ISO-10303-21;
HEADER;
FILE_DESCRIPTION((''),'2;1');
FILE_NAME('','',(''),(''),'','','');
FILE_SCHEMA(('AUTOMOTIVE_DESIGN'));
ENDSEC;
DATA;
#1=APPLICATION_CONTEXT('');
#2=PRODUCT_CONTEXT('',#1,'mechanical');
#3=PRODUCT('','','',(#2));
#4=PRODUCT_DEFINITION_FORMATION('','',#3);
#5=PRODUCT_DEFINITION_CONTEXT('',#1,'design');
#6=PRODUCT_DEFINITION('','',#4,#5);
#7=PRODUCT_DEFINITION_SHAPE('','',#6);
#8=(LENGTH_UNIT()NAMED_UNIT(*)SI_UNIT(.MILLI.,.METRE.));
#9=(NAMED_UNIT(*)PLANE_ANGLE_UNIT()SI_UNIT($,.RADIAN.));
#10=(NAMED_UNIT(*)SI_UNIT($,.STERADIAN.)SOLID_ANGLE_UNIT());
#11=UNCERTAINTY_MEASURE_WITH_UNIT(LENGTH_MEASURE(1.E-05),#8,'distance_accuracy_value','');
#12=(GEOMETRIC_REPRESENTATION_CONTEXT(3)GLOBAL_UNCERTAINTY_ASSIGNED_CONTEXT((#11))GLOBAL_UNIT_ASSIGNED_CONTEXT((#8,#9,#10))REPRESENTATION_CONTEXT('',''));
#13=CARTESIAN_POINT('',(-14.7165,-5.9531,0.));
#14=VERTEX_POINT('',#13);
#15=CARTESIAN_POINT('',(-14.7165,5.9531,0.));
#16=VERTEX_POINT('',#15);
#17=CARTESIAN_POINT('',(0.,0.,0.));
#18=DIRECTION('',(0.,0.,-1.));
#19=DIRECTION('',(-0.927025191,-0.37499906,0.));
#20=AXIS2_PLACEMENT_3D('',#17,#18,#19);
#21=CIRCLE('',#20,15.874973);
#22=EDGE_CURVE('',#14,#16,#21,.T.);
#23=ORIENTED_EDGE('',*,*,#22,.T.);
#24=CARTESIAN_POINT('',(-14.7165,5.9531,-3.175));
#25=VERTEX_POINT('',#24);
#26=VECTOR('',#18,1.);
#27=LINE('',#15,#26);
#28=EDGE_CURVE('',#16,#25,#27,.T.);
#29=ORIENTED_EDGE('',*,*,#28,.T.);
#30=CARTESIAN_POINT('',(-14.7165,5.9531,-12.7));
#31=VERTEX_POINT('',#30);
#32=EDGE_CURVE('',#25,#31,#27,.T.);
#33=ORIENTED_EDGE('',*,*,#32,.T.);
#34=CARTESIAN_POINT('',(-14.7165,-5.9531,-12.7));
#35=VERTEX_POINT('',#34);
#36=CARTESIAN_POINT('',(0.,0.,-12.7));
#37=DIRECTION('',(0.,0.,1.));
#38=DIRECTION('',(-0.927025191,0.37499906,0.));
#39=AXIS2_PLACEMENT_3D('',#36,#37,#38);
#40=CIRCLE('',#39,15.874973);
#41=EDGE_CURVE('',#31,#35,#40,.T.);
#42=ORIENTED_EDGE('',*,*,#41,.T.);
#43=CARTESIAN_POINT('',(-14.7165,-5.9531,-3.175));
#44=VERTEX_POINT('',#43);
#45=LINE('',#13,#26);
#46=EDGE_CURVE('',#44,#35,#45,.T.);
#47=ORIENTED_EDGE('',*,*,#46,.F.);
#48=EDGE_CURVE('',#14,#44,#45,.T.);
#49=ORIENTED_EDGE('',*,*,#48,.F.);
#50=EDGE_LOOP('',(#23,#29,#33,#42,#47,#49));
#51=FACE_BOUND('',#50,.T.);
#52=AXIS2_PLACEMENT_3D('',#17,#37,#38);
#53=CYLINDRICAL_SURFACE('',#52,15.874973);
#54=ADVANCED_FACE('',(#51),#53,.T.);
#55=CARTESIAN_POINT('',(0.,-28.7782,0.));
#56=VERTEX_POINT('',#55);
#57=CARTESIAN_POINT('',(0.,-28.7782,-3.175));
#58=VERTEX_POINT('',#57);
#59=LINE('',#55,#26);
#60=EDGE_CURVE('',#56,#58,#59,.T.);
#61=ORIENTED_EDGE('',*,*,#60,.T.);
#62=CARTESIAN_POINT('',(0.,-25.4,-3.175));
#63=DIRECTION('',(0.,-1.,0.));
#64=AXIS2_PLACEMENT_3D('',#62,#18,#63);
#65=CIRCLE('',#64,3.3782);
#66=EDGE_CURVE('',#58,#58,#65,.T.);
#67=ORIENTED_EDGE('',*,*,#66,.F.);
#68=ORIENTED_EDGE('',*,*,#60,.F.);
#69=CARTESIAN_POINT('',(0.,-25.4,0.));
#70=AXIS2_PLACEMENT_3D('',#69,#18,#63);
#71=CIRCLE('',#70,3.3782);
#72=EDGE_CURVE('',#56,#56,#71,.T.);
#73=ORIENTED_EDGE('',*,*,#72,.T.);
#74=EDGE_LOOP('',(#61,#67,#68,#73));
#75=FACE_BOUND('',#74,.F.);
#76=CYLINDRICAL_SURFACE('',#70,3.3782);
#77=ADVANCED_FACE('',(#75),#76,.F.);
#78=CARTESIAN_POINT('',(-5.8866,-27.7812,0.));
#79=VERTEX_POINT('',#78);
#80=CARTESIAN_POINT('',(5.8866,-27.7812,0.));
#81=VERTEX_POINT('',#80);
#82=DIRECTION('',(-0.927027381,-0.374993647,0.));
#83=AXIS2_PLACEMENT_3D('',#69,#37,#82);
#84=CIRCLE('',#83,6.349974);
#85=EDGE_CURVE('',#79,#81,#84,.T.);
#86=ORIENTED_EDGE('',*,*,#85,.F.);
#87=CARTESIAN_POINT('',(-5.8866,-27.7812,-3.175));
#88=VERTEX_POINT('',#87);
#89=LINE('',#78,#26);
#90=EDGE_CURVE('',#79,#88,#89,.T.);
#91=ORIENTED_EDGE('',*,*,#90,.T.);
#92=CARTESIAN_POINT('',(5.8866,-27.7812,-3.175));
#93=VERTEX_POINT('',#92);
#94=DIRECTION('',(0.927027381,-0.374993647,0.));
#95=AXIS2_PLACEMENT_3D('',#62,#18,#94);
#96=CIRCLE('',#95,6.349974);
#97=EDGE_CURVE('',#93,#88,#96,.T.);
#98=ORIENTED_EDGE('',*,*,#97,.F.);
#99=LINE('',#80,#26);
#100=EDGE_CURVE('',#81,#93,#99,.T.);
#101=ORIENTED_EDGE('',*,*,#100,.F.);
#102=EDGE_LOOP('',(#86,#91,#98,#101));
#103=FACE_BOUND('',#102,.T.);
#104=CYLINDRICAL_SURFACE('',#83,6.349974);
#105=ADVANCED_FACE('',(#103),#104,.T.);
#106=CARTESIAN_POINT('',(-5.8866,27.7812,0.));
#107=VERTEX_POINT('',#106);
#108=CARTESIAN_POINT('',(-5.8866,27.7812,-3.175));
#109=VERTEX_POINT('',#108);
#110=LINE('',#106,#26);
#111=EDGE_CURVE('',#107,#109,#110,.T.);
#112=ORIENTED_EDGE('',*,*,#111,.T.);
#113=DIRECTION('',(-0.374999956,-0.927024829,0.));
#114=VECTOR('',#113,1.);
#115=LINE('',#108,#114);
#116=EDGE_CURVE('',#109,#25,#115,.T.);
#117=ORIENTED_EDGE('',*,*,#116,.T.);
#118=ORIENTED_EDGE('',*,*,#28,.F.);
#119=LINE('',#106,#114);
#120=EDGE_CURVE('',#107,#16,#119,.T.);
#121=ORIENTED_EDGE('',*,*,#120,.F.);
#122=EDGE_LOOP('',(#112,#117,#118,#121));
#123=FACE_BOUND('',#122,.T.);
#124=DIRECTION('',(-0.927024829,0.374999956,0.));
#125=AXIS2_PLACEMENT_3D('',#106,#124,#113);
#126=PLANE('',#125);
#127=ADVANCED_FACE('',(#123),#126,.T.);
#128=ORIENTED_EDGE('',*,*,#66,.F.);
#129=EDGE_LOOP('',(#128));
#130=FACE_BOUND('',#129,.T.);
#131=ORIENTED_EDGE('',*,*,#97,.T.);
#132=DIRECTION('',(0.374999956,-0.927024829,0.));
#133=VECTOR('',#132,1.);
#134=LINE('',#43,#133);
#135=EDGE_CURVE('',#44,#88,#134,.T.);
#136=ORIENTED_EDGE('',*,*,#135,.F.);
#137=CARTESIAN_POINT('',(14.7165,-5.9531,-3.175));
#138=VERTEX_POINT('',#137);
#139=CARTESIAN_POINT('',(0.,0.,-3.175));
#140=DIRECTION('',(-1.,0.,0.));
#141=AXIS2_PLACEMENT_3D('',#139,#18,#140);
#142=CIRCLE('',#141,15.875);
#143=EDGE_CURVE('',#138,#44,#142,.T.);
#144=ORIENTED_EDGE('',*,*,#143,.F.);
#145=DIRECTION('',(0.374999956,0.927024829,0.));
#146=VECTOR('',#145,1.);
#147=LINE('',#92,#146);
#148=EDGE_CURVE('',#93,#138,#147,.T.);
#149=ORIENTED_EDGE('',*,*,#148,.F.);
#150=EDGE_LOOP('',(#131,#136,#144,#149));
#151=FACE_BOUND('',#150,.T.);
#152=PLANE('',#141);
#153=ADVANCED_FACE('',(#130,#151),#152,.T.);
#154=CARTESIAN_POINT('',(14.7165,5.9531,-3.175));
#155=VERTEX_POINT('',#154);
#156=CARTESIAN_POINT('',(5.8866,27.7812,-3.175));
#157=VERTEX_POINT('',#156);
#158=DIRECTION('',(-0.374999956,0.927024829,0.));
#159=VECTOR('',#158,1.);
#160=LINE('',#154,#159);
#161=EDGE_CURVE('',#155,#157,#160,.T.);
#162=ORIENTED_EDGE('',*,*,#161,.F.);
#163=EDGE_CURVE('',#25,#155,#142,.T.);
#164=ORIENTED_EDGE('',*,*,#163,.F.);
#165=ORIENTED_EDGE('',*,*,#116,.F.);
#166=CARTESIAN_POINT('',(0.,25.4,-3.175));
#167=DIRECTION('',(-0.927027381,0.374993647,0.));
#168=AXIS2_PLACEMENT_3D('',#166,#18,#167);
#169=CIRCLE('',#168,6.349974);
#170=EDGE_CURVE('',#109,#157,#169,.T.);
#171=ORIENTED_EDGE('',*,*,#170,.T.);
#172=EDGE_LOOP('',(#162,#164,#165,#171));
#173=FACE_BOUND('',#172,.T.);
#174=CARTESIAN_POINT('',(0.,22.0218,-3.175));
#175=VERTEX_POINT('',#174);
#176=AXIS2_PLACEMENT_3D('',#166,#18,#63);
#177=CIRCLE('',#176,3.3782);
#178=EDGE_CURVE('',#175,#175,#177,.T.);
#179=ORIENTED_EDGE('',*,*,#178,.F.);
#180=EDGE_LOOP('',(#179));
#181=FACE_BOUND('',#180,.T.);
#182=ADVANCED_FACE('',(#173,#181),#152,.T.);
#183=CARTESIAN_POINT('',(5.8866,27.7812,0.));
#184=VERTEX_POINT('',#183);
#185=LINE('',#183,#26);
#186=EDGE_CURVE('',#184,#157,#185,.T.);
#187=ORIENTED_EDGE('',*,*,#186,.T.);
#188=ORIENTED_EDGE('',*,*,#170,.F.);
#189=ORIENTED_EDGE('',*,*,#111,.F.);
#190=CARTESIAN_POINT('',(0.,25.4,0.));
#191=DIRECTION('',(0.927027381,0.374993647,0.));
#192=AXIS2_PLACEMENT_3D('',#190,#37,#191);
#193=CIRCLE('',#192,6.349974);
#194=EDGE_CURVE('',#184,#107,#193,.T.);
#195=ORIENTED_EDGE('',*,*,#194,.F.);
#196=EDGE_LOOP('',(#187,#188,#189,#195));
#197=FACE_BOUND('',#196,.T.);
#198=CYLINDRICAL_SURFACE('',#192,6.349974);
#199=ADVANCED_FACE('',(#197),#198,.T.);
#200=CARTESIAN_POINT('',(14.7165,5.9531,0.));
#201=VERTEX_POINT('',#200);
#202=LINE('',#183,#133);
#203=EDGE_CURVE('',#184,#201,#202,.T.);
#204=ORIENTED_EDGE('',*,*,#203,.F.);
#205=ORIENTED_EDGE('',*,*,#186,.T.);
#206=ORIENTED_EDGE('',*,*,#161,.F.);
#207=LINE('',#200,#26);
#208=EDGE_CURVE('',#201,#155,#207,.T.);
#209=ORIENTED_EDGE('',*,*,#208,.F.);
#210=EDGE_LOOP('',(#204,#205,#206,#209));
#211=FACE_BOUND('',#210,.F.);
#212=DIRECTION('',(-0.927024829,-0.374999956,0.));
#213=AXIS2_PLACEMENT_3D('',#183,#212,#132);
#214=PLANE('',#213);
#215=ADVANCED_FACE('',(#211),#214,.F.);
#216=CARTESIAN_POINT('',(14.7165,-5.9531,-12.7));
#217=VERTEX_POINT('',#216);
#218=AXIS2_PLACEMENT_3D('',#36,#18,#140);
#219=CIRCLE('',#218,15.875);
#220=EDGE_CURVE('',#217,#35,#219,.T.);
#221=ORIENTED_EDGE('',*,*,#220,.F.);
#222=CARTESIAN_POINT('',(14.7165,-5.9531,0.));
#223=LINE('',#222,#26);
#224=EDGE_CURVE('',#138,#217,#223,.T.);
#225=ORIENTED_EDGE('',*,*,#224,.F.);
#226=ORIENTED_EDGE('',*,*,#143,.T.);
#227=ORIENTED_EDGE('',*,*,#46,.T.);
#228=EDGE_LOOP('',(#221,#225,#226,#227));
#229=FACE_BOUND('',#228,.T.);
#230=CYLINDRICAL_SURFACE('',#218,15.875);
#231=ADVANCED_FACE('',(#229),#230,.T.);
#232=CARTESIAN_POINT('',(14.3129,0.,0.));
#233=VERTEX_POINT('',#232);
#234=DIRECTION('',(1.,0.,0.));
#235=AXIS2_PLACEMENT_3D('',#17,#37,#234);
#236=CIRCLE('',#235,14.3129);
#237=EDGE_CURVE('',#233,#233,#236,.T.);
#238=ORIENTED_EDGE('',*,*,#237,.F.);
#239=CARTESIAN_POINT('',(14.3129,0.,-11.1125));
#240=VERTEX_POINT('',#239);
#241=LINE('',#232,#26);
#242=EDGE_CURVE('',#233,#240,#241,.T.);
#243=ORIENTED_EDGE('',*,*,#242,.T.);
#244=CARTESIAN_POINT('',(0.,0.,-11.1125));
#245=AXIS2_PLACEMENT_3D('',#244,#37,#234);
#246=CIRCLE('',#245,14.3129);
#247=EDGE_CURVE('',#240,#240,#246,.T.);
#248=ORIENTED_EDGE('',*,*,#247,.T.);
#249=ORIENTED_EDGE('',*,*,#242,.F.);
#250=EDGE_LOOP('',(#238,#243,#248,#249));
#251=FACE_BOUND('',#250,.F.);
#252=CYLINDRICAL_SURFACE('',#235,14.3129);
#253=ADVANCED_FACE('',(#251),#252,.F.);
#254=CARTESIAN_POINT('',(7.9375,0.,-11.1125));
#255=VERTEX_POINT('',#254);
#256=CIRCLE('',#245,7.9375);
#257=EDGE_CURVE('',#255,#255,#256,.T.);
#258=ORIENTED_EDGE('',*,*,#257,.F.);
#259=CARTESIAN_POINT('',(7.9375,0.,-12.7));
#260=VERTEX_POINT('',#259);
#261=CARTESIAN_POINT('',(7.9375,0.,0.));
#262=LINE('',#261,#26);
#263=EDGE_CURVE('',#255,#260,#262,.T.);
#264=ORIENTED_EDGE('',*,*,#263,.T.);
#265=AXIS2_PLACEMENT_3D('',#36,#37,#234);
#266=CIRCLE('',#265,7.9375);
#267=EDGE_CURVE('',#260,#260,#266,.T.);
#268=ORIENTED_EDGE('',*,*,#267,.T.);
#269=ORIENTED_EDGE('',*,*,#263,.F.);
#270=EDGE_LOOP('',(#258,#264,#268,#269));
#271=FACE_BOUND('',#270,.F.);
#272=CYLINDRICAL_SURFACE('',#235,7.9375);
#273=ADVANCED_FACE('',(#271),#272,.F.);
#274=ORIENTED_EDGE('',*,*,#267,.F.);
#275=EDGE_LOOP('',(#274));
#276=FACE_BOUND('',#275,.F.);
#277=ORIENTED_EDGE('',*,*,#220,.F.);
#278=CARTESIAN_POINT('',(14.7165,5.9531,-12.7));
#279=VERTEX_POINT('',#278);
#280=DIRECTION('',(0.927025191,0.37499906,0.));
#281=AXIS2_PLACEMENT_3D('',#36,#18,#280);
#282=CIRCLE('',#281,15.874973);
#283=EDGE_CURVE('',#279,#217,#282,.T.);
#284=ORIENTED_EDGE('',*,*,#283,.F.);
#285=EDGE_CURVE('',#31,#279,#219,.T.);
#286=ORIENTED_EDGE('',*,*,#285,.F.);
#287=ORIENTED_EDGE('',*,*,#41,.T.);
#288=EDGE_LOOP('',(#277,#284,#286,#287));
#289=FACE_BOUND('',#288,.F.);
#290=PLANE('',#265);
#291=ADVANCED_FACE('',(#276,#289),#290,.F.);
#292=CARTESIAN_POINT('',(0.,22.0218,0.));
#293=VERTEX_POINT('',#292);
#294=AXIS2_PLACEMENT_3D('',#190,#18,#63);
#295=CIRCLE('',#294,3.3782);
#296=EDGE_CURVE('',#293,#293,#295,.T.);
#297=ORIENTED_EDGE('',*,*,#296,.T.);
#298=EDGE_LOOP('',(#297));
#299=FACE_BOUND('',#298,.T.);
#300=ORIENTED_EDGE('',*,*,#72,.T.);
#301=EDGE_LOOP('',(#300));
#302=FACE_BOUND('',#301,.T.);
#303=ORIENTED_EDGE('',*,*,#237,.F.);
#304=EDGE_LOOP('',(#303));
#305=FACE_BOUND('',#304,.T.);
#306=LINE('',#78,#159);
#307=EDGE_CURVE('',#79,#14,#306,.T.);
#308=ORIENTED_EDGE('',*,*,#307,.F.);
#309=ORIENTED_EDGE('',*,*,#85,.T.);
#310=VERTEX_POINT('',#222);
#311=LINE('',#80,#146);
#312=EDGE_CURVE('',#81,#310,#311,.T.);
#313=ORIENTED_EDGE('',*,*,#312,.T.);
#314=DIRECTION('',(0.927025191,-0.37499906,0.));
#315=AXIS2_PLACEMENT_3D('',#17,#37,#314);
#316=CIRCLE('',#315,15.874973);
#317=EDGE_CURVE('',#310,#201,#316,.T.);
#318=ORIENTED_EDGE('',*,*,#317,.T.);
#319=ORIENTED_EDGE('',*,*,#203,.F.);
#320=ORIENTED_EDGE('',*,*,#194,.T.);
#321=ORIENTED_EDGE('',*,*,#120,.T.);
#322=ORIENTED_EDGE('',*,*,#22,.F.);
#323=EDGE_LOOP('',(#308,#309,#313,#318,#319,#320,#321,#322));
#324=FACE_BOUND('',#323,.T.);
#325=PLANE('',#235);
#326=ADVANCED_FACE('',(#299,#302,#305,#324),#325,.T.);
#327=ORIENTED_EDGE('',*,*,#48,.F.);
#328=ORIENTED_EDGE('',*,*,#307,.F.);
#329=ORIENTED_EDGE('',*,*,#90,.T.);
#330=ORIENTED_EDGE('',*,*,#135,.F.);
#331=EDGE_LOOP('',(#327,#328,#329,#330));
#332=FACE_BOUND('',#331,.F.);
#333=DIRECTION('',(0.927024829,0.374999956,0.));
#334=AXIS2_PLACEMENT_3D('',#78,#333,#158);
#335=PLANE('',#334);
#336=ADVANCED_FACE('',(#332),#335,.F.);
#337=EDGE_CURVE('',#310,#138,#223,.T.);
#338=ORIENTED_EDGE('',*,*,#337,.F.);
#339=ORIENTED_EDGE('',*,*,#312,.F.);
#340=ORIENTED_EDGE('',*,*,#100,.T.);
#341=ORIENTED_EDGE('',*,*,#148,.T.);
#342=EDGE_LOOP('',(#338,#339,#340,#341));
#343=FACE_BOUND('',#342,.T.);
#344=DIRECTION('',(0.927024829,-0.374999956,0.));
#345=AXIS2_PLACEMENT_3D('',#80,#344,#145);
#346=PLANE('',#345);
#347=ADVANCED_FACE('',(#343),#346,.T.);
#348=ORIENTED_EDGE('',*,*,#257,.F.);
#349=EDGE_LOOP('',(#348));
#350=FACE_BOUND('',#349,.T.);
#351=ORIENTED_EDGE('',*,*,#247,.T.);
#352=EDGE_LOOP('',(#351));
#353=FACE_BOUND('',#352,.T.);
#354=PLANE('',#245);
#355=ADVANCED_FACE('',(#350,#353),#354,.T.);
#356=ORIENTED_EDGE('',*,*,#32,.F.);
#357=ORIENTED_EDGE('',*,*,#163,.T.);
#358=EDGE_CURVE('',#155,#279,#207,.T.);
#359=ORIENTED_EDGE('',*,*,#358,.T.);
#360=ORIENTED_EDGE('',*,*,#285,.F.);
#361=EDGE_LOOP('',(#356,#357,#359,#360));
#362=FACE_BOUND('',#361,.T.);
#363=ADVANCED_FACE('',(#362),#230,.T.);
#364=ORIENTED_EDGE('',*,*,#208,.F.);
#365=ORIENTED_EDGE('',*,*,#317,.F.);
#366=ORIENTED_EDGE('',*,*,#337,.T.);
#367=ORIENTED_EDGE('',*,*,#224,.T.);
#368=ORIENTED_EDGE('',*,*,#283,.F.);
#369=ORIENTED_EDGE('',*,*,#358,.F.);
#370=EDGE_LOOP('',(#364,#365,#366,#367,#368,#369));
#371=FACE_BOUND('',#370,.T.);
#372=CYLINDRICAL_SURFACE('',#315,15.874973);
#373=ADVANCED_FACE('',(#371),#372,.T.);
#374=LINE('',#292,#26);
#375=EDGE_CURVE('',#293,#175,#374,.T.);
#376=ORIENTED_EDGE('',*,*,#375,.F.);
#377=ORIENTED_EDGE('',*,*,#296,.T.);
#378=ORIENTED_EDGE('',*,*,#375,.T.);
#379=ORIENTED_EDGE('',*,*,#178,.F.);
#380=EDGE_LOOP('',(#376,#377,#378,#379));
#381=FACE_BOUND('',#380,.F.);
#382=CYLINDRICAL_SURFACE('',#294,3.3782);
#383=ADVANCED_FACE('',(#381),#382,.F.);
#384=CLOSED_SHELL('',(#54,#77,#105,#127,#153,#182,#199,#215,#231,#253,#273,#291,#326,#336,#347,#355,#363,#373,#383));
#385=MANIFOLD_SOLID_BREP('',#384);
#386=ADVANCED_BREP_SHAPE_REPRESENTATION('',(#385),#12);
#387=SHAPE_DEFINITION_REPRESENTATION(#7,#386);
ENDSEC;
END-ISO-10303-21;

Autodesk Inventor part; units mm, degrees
ref_plane "YZ Plane" through (0, 0, 0) normal (1, 0, 0) x (0, 1, 0)
ref_plane "XZ Plane" through (0, 0, 0) normal (0, 1, 0) x (-1, 0, 0)
ref_plane "XY Plane" through (0, 0, 0) normal (0, 0, 1) x (1, 0, 0)
sketch "Sketch1" plane through (0, 0, 0) normal (0, 0, 1) x (1, 0, 0)
  circle A0 centre (0, 0) radius 14.2875 construction
  line L0 (-22.225, 0) -> (22.225, 0) projected
  line L1 (0, -44.45) -> (0, 44.45) projected
  arc A1 (5.8866, 27.7812) -> (-5.8866, 27.7812) centre (0, 25.4) ccw
  arc A2 (-5.8866, -27.7812) -> (5.8866, -27.7812) centre (0, -25.4) ccw
  line L2 (5.8866, -27.7812) -> (14.7165, -5.9531)
  line L3 (-5.8866, -27.7812) -> (-14.7165, -5.9531)
  line L4 (-5.8866, 27.7812) -> (-14.7165, 5.9531)
  line L5 (5.8866, 27.7812) -> (14.7165, 5.9531)
  arc A3 (-14.7165, 5.9531) -> (-14.7165, -5.9531) centre (0, 0) ccw
  arc A4 (14.7165, -5.9531) -> (14.7165, 5.9531) centre (0, 0) ccw
  circle A5 centre (0, 0) radius 7.9375
  dimension "d1" = 28.575
  dimension "d2" = 15.875
  dimension "d3" = 15.875
  dimension "d4" = 6.35
  dimension "d5" = 25.4
  dimension "d6" = 25.4
  dimension "d7" = 15.875
extrude "Extrusion1" add sketch "Sketch1" against normal blind 12.7 contours A3 L4 A1 L1 A5 L0 | L0 A5 L1 A2 L3 A3 | L1 A1 L5 A4 L0 A5 | A5 L0 A4 L2 A2 L1
sketch "Sketch2" plane through (0, 0, -12.7) normal (0, 0, -1) x (-1, 0, 0)
  line L0 (-5.8866, -27.7812) -> (-14.7165, -5.9531) projected
  arc A0 (-5.8866, -27.7812) -> (5.8866, -27.7812) centre (0, -25.4) ccw projected
  line L1 (14.7165, -5.9531) -> (5.8866, -27.7812) projected
  arc A1 (14.7165, -5.9531) -> (14.7165, 5.9531) centre (0, 0) ccw projected
  line L2 (5.8866, 27.7812) -> (14.7165, 5.9531) projected
  arc A2 (5.8866, 27.7812) -> (-5.8866, 27.7812) centre (0, 25.4) ccw projected
  line L3 (-14.7165, 5.9531) -> (-5.8866, 27.7812) projected
  arc A3 (-14.7165, 5.9531) -> (-14.7165, -5.9531) centre (0, 0) ccw projected
  circle A4 centre (0, 0) radius 15.875
extrude "Extrusion2" cut sketch "Sketch2" against normal blind 9.525 contours L0 A4 L1 A0 | L3 A2 L2 A4
sketch "Sketch3" plane through (0, 0, 0) normal (0, 0, 1) x (1, 0, 0)
  circle A0 centre (0, 0) radius 7.9375 projected
  arc A1 (-14.7165, 5.9531) -> (-14.7165, -5.9531) centre (0, 0) ccw projected
  circle A2 centre (0, 0) radius 14.3129
  dimension "d12" = 28.6258
extrude "Extrusion3" cut sketch "Sketch3" against normal blind 11.1125
sketch "Sketch4" plane through (0, 0, 0) normal (0, 0, 1) x (1, 0, 0)
  arc A0 (-5.8866, -27.7812) -> (5.8866, -27.7812) centre (0, -25.4) ccw projected
  arc A1 (5.8866, 27.7812) -> (-5.8866, 27.7812) centre (0, 25.4) ccw projected
hole "Hole1" at (0, 25.4, 0) at (0, -25.4, 0) direction (0, 0, -1) diameter 6.7564 end through all clearance for "Flat Head Machine Screw (82)" size "1/4" standard "Ansi Unified Screw Threads"
properties part number "bearing block wheel mount"
